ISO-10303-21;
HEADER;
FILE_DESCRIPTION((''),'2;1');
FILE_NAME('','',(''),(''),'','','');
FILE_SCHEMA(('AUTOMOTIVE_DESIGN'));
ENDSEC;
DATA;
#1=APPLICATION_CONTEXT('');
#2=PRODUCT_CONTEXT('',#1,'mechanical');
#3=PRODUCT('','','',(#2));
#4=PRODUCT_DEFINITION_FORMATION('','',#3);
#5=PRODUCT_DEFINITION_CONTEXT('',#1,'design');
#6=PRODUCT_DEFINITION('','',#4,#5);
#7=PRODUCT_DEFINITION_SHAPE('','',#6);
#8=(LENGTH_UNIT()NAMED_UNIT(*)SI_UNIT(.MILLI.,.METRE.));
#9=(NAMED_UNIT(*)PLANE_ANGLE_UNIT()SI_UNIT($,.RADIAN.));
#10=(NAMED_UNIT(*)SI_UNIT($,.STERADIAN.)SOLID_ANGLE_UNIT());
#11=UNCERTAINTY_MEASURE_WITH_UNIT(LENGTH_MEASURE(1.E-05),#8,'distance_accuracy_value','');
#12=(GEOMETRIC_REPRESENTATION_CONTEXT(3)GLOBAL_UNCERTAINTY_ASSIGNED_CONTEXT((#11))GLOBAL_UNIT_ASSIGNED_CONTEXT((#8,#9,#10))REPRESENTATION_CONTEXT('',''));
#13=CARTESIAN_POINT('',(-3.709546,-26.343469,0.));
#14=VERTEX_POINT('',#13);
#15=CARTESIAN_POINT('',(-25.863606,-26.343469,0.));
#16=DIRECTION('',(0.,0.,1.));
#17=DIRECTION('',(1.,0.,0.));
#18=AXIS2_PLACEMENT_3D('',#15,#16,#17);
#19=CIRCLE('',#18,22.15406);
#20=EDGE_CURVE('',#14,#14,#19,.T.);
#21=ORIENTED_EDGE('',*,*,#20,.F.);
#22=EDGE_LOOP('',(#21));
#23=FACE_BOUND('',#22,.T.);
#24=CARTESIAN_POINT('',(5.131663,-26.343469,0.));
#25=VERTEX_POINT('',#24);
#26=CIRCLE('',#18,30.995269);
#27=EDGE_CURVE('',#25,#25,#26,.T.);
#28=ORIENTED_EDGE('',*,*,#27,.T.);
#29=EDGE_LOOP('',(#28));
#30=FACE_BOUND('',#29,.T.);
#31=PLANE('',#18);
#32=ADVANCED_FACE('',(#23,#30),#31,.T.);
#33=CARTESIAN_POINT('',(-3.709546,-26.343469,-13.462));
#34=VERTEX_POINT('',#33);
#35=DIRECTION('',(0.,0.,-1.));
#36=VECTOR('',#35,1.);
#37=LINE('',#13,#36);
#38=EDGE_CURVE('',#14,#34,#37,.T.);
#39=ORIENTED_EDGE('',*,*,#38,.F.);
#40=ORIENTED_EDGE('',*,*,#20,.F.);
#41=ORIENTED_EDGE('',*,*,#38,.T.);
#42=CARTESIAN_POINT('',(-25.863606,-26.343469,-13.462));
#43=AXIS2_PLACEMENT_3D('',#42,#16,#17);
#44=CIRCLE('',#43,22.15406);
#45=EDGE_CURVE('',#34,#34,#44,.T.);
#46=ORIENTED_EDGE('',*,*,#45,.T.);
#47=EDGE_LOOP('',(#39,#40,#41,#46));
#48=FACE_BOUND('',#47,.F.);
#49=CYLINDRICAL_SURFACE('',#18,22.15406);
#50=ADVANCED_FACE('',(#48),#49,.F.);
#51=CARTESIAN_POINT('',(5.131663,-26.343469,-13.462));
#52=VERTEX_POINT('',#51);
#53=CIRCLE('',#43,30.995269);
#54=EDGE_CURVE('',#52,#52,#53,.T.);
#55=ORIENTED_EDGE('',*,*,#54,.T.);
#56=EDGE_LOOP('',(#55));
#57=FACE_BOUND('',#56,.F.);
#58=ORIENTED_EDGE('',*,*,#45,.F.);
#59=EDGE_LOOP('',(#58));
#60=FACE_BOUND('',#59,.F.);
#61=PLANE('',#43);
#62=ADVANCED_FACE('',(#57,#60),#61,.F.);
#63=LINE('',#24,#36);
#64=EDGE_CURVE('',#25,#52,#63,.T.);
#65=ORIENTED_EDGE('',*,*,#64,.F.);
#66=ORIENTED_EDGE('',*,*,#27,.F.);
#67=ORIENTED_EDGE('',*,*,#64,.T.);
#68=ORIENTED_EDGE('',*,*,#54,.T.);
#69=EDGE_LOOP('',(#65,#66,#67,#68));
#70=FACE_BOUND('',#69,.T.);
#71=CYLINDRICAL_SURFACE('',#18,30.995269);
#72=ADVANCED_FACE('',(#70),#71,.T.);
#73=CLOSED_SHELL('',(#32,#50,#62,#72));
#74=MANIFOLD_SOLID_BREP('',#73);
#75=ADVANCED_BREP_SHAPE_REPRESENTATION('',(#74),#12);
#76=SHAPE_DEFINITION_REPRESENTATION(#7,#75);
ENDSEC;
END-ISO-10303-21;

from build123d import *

# Parameters (mm, degrees)
F0_R     = 30.995269
F0_R_2   = 22.15406
F1_DEPTH = 13.462


with BuildPart() as f1:
    # F0 (on Top) → F1 (new body)
    with BuildSketch(Plane.XY):
        with Locations((-25.863606, -26.343469)):
            Circle(F0_R)
        with Locations((-25.863606, -26.343469)):
            Circle(F0_R_2, mode=Mode.SUBTRACT)
    extrude(amount=-F1_DEPTH)


solid = f1.part
